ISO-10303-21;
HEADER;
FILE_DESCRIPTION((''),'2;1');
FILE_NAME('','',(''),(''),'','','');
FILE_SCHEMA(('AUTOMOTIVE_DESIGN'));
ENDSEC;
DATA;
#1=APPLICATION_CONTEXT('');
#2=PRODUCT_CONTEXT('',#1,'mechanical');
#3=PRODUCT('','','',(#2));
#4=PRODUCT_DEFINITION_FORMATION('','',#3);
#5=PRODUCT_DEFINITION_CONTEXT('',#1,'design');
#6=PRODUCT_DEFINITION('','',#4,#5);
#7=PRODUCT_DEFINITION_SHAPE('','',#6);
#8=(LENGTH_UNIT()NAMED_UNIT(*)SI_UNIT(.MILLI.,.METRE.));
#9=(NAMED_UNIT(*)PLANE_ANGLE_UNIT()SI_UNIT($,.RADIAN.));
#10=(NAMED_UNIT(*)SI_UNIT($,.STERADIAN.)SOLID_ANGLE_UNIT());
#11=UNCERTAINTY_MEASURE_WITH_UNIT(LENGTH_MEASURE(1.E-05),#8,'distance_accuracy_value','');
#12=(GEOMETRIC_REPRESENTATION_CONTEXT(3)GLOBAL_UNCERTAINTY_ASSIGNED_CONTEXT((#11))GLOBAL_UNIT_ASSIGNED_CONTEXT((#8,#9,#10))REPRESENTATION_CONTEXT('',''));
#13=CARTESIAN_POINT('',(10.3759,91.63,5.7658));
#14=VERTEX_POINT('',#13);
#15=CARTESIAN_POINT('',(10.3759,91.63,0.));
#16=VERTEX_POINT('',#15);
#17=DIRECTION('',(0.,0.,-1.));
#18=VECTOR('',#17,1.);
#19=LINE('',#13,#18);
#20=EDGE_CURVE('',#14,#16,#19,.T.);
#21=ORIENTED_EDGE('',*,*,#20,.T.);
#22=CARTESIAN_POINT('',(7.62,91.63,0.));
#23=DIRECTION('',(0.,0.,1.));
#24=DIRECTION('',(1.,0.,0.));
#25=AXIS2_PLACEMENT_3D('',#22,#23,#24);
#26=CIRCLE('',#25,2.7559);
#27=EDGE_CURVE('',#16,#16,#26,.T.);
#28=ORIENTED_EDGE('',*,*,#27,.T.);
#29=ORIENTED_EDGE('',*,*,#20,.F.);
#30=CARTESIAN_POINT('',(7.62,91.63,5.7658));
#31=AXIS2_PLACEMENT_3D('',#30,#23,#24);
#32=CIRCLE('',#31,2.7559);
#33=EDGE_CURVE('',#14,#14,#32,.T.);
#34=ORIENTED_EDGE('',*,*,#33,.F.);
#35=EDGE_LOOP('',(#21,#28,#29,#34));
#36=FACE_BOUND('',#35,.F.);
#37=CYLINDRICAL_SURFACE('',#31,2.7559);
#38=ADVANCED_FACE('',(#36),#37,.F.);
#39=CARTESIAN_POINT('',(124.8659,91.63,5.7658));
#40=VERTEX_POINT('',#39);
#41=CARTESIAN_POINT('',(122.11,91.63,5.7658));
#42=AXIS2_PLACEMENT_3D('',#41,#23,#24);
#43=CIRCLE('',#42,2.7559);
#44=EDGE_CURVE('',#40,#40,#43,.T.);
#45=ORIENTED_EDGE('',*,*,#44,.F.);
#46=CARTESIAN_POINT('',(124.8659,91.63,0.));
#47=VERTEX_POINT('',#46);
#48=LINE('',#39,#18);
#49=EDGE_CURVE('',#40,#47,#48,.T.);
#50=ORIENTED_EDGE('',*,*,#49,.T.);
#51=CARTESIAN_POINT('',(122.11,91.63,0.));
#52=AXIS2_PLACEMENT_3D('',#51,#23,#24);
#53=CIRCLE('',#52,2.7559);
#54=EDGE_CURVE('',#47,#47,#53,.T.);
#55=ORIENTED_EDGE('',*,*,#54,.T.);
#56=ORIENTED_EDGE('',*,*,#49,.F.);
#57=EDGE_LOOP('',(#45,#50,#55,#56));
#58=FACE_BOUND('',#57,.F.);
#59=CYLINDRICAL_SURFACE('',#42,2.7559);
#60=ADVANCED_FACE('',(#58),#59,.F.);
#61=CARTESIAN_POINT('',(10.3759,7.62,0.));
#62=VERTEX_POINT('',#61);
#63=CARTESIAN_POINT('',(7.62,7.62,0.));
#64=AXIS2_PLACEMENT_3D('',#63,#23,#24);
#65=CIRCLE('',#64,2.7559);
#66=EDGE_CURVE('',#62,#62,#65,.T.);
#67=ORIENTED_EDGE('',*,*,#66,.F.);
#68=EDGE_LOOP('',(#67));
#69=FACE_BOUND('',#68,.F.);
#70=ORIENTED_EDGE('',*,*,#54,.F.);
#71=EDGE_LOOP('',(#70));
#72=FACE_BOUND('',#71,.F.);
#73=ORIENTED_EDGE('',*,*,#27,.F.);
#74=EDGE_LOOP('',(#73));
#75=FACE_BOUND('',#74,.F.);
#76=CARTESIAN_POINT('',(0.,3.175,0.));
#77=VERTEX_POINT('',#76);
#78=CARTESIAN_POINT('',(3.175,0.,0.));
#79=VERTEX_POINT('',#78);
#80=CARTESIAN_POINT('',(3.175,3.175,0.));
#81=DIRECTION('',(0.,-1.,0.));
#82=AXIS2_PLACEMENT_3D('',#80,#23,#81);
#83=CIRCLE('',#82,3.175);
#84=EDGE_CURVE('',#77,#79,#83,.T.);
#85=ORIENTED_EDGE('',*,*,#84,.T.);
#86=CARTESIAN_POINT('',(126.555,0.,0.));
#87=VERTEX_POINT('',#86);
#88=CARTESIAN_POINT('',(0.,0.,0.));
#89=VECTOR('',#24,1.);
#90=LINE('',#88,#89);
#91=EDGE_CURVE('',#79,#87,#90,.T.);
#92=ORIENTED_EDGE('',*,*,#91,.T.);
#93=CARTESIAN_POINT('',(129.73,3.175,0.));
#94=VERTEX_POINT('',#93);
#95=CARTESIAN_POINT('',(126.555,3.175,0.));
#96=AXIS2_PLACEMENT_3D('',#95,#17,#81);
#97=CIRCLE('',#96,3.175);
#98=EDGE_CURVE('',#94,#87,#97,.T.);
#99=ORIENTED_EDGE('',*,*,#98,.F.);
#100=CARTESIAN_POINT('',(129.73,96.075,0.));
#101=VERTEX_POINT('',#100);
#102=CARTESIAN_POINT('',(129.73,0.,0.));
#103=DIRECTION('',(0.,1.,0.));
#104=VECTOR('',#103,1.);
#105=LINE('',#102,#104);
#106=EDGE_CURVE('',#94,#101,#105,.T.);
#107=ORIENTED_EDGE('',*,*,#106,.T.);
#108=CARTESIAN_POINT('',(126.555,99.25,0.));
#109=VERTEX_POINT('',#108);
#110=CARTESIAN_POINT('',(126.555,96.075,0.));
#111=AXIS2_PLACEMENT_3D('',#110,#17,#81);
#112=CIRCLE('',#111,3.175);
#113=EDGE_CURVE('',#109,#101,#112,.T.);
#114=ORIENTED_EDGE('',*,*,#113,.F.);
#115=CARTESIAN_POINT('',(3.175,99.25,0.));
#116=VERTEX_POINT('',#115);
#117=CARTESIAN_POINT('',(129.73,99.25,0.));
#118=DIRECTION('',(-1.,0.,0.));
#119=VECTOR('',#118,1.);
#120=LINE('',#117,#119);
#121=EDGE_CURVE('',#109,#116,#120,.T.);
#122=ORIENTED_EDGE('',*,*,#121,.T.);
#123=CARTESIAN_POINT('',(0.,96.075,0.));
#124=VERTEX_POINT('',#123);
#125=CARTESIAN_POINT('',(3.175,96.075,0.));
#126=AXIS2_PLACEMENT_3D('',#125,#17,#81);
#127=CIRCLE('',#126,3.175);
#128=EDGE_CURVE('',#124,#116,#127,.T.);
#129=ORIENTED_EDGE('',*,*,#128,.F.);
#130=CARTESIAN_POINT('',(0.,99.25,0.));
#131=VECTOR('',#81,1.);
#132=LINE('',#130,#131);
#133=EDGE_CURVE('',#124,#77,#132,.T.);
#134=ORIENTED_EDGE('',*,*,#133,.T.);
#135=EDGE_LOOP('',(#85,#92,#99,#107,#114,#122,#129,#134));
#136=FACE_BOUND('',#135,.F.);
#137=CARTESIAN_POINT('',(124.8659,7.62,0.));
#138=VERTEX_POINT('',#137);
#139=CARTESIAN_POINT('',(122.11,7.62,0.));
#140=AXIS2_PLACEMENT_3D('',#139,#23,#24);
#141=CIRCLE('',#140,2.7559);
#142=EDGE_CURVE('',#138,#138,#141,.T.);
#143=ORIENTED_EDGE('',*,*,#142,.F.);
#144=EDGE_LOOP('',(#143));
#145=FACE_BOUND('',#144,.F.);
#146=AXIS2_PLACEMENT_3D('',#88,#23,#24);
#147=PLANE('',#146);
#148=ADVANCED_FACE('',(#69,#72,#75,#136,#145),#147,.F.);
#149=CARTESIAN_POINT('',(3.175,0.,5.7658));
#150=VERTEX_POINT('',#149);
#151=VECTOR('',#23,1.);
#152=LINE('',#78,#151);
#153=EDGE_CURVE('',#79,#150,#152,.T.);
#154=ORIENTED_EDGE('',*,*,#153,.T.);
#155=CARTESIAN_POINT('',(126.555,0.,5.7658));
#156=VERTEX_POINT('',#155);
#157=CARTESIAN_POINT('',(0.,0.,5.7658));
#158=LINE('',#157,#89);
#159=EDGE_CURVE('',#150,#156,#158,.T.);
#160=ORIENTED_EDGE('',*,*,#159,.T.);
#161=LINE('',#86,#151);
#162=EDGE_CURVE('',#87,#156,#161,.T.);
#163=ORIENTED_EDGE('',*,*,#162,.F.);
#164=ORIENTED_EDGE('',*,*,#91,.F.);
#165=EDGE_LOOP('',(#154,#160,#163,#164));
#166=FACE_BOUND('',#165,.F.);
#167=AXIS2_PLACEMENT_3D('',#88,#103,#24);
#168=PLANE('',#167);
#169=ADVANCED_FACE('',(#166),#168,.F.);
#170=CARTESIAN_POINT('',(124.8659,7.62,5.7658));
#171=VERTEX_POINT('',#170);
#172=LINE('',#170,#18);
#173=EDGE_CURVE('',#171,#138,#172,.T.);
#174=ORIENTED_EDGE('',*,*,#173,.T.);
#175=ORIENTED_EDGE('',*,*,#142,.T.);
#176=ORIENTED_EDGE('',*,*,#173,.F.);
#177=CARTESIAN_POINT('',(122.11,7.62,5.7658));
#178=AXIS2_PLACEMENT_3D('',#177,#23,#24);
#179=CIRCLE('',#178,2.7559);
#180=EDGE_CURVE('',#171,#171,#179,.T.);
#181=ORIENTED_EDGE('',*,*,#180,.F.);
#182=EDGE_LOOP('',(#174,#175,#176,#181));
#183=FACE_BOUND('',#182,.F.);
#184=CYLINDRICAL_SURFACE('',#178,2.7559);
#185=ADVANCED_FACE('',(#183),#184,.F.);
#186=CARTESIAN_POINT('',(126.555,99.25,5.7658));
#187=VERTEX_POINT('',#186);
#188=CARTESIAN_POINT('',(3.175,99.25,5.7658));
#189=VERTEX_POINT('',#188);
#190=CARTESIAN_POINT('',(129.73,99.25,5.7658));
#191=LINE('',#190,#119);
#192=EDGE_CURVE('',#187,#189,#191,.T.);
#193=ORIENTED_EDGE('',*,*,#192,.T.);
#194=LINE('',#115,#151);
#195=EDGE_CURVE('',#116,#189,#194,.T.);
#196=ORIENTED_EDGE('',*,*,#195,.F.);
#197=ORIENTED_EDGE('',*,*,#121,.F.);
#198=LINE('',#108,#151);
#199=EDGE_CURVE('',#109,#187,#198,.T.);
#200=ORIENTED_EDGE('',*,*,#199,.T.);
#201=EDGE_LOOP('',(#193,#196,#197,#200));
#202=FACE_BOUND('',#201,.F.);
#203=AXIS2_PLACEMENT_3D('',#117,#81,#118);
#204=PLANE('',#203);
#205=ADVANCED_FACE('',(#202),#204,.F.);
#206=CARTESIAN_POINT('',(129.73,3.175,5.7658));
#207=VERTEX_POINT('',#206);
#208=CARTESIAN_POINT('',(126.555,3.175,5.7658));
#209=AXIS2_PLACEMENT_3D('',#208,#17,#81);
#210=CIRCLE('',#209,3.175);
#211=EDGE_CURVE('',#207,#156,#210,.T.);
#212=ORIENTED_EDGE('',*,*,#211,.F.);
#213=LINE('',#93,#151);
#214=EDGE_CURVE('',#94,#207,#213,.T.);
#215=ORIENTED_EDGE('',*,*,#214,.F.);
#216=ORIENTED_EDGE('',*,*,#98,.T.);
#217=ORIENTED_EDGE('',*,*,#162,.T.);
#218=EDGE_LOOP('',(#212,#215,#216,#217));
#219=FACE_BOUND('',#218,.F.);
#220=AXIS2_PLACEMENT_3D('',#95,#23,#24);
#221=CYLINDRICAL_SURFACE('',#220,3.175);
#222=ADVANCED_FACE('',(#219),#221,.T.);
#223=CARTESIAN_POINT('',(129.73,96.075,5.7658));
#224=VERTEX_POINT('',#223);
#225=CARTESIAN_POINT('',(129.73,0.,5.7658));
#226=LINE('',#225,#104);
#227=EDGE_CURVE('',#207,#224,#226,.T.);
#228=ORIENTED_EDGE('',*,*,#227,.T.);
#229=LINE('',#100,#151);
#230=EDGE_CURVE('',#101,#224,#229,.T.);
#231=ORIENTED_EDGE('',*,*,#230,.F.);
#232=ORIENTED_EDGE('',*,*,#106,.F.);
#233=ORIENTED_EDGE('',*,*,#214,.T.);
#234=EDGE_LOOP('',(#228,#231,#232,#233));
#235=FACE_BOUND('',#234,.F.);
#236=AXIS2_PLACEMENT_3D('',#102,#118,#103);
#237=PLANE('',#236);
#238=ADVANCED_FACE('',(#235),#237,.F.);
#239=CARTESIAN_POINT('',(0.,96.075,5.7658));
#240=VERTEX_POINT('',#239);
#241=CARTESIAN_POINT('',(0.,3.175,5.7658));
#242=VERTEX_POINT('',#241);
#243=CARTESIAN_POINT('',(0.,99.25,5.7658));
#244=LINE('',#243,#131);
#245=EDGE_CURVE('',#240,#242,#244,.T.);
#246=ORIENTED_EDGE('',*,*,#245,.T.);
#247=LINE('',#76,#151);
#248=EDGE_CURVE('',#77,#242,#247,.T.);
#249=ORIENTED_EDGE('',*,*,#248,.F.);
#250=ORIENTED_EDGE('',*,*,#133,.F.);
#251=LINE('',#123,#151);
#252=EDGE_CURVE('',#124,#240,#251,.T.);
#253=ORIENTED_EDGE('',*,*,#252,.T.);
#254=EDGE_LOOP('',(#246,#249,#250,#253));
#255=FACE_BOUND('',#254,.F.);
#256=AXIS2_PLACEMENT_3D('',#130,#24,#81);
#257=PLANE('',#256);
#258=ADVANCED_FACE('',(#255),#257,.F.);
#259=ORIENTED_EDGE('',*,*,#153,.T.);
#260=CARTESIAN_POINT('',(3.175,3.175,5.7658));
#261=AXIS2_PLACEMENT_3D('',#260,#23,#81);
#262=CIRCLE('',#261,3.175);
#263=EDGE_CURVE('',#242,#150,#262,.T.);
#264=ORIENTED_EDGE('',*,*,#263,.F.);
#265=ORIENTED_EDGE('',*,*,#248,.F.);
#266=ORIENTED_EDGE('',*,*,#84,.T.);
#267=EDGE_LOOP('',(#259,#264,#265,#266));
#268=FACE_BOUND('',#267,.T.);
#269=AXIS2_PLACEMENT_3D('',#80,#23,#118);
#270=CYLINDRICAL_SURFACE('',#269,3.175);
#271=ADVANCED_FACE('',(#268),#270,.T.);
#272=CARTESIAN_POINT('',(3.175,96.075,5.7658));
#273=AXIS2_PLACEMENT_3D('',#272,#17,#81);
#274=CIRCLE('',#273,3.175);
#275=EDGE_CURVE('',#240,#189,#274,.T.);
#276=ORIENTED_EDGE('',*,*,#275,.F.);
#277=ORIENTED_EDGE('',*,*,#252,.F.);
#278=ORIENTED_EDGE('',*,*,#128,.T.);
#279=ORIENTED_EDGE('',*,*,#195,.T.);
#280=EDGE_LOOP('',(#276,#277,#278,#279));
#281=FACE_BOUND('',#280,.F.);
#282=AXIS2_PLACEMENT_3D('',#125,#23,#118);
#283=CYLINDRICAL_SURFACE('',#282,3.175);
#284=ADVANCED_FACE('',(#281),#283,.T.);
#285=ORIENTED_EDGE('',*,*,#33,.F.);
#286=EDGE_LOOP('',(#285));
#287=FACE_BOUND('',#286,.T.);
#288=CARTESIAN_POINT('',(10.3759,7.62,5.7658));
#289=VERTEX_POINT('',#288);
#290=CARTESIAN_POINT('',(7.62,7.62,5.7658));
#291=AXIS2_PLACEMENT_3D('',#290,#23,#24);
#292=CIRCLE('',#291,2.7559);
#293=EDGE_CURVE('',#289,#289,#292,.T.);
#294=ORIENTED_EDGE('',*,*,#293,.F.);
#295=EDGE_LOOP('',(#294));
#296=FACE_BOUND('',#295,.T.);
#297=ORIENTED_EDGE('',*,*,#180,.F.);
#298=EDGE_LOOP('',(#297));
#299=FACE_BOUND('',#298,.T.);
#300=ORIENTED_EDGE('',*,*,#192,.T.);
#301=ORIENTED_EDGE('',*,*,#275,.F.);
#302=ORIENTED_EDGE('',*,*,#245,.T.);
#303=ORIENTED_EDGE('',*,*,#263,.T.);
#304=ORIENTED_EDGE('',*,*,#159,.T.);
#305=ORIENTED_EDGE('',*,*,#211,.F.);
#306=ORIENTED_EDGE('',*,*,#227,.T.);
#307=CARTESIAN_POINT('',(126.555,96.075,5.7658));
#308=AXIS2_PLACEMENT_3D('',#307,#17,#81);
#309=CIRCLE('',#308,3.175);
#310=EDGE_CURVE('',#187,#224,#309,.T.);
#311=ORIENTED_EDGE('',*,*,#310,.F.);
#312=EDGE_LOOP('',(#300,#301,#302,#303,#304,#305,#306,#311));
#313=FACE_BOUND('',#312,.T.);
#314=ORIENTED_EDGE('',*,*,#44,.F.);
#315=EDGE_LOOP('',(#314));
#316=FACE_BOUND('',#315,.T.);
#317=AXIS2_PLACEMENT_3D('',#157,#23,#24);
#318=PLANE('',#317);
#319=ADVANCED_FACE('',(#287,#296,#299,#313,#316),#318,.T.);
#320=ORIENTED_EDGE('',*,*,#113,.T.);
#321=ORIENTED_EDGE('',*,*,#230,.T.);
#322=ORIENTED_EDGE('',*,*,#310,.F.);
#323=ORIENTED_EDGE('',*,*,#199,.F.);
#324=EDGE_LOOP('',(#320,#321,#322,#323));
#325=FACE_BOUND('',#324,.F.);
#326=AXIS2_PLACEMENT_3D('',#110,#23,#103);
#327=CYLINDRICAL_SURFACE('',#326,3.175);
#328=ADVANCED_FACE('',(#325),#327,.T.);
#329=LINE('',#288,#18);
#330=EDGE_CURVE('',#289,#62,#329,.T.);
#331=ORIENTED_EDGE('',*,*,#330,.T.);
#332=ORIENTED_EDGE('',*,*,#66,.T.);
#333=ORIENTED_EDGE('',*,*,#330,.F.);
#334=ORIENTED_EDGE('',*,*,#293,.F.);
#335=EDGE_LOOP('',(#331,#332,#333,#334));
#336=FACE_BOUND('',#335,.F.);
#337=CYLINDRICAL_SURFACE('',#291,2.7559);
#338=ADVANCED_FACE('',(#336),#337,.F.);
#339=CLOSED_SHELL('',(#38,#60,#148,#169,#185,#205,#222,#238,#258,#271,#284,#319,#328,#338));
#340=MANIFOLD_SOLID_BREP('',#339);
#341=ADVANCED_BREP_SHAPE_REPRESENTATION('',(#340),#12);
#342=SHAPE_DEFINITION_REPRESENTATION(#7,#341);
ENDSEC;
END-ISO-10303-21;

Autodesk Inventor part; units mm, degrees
ref_plane "YZ Plane" through (0, 0, 0) normal (1, 0, 0) x (0, 1, 0)
ref_plane "XZ Plane" through (0, 0, 0) normal (0, 1, 0) x (-1, 0, 0)
ref_plane "XY Plane" through (0, 0, 0) normal (0, 0, 1) x (1, 0, 0)
sketch "Sketch1" plane through (0, 0, 0) normal (0, 0, 1) x (1, 0, 0)
  line L0 (0, 0) -> (129.73, 0)
  line L1 (129.73, 0) -> (129.73, 99.25)
  line L2 (129.73, 99.25) -> (0, 99.25)
  line L3 (0, 99.25) -> (0, 0)
  dimension "d0" = 129.73
  dimension "d1" = 99.25
extrude "Extrusion1" add sketch "Sketch1" along normal blind 5.7658
fillet "Fillet1" radius 3.175 4 edges at (129.73, 99.25, 2.8829) (0, 99.25, 2.8829) (0, 0, 2.8829) (129.73, 0, 2.8829)
sketch "Sketch2" plane through (0, 0, 5.7658) normal (0, 0, 1) x (1, 0, 0)
  circle A0 centre (7.62, 91.63) radius 2.7559
  circle A1 centre (122.11, 91.63) radius 2.7559
  circle A2 centre (122.11, 7.62) radius 2.7559
  circle A3 centre (7.62, 7.62) radius 2.7559
  line L0 (0, 96.075) -> (0, 3.175) projected
  line L1 (126.555, 99.25) -> (3.175, 99.25) projected
  line L2 (129.73, 3.175) -> (129.73, 96.075) projected
  line L3 (3.175, 0) -> (126.555, 0) projected
  point P0 (0, 0)
  dimension "d5" = 7.62
  dimension "d6" = 7.62
  dimension "d7" = 7.62
  dimension "d8" = 7.62
  dimension "d9" = 7.62
  dimension "d10" = 7.62
  dimension "d11" = 5.5118
  dimension "d12" = 5.5118
  dimension "d13" = 5.5118
  dimension "d14" = 7.62
  dimension "d15" = 7.62
  dimension "d16" = 5.5118
extrude "Extrusion2" cut sketch "Sketch2" against normal through all
properties part number "PowerBoardCaseCover" material "Polycarbonate, Clear"
